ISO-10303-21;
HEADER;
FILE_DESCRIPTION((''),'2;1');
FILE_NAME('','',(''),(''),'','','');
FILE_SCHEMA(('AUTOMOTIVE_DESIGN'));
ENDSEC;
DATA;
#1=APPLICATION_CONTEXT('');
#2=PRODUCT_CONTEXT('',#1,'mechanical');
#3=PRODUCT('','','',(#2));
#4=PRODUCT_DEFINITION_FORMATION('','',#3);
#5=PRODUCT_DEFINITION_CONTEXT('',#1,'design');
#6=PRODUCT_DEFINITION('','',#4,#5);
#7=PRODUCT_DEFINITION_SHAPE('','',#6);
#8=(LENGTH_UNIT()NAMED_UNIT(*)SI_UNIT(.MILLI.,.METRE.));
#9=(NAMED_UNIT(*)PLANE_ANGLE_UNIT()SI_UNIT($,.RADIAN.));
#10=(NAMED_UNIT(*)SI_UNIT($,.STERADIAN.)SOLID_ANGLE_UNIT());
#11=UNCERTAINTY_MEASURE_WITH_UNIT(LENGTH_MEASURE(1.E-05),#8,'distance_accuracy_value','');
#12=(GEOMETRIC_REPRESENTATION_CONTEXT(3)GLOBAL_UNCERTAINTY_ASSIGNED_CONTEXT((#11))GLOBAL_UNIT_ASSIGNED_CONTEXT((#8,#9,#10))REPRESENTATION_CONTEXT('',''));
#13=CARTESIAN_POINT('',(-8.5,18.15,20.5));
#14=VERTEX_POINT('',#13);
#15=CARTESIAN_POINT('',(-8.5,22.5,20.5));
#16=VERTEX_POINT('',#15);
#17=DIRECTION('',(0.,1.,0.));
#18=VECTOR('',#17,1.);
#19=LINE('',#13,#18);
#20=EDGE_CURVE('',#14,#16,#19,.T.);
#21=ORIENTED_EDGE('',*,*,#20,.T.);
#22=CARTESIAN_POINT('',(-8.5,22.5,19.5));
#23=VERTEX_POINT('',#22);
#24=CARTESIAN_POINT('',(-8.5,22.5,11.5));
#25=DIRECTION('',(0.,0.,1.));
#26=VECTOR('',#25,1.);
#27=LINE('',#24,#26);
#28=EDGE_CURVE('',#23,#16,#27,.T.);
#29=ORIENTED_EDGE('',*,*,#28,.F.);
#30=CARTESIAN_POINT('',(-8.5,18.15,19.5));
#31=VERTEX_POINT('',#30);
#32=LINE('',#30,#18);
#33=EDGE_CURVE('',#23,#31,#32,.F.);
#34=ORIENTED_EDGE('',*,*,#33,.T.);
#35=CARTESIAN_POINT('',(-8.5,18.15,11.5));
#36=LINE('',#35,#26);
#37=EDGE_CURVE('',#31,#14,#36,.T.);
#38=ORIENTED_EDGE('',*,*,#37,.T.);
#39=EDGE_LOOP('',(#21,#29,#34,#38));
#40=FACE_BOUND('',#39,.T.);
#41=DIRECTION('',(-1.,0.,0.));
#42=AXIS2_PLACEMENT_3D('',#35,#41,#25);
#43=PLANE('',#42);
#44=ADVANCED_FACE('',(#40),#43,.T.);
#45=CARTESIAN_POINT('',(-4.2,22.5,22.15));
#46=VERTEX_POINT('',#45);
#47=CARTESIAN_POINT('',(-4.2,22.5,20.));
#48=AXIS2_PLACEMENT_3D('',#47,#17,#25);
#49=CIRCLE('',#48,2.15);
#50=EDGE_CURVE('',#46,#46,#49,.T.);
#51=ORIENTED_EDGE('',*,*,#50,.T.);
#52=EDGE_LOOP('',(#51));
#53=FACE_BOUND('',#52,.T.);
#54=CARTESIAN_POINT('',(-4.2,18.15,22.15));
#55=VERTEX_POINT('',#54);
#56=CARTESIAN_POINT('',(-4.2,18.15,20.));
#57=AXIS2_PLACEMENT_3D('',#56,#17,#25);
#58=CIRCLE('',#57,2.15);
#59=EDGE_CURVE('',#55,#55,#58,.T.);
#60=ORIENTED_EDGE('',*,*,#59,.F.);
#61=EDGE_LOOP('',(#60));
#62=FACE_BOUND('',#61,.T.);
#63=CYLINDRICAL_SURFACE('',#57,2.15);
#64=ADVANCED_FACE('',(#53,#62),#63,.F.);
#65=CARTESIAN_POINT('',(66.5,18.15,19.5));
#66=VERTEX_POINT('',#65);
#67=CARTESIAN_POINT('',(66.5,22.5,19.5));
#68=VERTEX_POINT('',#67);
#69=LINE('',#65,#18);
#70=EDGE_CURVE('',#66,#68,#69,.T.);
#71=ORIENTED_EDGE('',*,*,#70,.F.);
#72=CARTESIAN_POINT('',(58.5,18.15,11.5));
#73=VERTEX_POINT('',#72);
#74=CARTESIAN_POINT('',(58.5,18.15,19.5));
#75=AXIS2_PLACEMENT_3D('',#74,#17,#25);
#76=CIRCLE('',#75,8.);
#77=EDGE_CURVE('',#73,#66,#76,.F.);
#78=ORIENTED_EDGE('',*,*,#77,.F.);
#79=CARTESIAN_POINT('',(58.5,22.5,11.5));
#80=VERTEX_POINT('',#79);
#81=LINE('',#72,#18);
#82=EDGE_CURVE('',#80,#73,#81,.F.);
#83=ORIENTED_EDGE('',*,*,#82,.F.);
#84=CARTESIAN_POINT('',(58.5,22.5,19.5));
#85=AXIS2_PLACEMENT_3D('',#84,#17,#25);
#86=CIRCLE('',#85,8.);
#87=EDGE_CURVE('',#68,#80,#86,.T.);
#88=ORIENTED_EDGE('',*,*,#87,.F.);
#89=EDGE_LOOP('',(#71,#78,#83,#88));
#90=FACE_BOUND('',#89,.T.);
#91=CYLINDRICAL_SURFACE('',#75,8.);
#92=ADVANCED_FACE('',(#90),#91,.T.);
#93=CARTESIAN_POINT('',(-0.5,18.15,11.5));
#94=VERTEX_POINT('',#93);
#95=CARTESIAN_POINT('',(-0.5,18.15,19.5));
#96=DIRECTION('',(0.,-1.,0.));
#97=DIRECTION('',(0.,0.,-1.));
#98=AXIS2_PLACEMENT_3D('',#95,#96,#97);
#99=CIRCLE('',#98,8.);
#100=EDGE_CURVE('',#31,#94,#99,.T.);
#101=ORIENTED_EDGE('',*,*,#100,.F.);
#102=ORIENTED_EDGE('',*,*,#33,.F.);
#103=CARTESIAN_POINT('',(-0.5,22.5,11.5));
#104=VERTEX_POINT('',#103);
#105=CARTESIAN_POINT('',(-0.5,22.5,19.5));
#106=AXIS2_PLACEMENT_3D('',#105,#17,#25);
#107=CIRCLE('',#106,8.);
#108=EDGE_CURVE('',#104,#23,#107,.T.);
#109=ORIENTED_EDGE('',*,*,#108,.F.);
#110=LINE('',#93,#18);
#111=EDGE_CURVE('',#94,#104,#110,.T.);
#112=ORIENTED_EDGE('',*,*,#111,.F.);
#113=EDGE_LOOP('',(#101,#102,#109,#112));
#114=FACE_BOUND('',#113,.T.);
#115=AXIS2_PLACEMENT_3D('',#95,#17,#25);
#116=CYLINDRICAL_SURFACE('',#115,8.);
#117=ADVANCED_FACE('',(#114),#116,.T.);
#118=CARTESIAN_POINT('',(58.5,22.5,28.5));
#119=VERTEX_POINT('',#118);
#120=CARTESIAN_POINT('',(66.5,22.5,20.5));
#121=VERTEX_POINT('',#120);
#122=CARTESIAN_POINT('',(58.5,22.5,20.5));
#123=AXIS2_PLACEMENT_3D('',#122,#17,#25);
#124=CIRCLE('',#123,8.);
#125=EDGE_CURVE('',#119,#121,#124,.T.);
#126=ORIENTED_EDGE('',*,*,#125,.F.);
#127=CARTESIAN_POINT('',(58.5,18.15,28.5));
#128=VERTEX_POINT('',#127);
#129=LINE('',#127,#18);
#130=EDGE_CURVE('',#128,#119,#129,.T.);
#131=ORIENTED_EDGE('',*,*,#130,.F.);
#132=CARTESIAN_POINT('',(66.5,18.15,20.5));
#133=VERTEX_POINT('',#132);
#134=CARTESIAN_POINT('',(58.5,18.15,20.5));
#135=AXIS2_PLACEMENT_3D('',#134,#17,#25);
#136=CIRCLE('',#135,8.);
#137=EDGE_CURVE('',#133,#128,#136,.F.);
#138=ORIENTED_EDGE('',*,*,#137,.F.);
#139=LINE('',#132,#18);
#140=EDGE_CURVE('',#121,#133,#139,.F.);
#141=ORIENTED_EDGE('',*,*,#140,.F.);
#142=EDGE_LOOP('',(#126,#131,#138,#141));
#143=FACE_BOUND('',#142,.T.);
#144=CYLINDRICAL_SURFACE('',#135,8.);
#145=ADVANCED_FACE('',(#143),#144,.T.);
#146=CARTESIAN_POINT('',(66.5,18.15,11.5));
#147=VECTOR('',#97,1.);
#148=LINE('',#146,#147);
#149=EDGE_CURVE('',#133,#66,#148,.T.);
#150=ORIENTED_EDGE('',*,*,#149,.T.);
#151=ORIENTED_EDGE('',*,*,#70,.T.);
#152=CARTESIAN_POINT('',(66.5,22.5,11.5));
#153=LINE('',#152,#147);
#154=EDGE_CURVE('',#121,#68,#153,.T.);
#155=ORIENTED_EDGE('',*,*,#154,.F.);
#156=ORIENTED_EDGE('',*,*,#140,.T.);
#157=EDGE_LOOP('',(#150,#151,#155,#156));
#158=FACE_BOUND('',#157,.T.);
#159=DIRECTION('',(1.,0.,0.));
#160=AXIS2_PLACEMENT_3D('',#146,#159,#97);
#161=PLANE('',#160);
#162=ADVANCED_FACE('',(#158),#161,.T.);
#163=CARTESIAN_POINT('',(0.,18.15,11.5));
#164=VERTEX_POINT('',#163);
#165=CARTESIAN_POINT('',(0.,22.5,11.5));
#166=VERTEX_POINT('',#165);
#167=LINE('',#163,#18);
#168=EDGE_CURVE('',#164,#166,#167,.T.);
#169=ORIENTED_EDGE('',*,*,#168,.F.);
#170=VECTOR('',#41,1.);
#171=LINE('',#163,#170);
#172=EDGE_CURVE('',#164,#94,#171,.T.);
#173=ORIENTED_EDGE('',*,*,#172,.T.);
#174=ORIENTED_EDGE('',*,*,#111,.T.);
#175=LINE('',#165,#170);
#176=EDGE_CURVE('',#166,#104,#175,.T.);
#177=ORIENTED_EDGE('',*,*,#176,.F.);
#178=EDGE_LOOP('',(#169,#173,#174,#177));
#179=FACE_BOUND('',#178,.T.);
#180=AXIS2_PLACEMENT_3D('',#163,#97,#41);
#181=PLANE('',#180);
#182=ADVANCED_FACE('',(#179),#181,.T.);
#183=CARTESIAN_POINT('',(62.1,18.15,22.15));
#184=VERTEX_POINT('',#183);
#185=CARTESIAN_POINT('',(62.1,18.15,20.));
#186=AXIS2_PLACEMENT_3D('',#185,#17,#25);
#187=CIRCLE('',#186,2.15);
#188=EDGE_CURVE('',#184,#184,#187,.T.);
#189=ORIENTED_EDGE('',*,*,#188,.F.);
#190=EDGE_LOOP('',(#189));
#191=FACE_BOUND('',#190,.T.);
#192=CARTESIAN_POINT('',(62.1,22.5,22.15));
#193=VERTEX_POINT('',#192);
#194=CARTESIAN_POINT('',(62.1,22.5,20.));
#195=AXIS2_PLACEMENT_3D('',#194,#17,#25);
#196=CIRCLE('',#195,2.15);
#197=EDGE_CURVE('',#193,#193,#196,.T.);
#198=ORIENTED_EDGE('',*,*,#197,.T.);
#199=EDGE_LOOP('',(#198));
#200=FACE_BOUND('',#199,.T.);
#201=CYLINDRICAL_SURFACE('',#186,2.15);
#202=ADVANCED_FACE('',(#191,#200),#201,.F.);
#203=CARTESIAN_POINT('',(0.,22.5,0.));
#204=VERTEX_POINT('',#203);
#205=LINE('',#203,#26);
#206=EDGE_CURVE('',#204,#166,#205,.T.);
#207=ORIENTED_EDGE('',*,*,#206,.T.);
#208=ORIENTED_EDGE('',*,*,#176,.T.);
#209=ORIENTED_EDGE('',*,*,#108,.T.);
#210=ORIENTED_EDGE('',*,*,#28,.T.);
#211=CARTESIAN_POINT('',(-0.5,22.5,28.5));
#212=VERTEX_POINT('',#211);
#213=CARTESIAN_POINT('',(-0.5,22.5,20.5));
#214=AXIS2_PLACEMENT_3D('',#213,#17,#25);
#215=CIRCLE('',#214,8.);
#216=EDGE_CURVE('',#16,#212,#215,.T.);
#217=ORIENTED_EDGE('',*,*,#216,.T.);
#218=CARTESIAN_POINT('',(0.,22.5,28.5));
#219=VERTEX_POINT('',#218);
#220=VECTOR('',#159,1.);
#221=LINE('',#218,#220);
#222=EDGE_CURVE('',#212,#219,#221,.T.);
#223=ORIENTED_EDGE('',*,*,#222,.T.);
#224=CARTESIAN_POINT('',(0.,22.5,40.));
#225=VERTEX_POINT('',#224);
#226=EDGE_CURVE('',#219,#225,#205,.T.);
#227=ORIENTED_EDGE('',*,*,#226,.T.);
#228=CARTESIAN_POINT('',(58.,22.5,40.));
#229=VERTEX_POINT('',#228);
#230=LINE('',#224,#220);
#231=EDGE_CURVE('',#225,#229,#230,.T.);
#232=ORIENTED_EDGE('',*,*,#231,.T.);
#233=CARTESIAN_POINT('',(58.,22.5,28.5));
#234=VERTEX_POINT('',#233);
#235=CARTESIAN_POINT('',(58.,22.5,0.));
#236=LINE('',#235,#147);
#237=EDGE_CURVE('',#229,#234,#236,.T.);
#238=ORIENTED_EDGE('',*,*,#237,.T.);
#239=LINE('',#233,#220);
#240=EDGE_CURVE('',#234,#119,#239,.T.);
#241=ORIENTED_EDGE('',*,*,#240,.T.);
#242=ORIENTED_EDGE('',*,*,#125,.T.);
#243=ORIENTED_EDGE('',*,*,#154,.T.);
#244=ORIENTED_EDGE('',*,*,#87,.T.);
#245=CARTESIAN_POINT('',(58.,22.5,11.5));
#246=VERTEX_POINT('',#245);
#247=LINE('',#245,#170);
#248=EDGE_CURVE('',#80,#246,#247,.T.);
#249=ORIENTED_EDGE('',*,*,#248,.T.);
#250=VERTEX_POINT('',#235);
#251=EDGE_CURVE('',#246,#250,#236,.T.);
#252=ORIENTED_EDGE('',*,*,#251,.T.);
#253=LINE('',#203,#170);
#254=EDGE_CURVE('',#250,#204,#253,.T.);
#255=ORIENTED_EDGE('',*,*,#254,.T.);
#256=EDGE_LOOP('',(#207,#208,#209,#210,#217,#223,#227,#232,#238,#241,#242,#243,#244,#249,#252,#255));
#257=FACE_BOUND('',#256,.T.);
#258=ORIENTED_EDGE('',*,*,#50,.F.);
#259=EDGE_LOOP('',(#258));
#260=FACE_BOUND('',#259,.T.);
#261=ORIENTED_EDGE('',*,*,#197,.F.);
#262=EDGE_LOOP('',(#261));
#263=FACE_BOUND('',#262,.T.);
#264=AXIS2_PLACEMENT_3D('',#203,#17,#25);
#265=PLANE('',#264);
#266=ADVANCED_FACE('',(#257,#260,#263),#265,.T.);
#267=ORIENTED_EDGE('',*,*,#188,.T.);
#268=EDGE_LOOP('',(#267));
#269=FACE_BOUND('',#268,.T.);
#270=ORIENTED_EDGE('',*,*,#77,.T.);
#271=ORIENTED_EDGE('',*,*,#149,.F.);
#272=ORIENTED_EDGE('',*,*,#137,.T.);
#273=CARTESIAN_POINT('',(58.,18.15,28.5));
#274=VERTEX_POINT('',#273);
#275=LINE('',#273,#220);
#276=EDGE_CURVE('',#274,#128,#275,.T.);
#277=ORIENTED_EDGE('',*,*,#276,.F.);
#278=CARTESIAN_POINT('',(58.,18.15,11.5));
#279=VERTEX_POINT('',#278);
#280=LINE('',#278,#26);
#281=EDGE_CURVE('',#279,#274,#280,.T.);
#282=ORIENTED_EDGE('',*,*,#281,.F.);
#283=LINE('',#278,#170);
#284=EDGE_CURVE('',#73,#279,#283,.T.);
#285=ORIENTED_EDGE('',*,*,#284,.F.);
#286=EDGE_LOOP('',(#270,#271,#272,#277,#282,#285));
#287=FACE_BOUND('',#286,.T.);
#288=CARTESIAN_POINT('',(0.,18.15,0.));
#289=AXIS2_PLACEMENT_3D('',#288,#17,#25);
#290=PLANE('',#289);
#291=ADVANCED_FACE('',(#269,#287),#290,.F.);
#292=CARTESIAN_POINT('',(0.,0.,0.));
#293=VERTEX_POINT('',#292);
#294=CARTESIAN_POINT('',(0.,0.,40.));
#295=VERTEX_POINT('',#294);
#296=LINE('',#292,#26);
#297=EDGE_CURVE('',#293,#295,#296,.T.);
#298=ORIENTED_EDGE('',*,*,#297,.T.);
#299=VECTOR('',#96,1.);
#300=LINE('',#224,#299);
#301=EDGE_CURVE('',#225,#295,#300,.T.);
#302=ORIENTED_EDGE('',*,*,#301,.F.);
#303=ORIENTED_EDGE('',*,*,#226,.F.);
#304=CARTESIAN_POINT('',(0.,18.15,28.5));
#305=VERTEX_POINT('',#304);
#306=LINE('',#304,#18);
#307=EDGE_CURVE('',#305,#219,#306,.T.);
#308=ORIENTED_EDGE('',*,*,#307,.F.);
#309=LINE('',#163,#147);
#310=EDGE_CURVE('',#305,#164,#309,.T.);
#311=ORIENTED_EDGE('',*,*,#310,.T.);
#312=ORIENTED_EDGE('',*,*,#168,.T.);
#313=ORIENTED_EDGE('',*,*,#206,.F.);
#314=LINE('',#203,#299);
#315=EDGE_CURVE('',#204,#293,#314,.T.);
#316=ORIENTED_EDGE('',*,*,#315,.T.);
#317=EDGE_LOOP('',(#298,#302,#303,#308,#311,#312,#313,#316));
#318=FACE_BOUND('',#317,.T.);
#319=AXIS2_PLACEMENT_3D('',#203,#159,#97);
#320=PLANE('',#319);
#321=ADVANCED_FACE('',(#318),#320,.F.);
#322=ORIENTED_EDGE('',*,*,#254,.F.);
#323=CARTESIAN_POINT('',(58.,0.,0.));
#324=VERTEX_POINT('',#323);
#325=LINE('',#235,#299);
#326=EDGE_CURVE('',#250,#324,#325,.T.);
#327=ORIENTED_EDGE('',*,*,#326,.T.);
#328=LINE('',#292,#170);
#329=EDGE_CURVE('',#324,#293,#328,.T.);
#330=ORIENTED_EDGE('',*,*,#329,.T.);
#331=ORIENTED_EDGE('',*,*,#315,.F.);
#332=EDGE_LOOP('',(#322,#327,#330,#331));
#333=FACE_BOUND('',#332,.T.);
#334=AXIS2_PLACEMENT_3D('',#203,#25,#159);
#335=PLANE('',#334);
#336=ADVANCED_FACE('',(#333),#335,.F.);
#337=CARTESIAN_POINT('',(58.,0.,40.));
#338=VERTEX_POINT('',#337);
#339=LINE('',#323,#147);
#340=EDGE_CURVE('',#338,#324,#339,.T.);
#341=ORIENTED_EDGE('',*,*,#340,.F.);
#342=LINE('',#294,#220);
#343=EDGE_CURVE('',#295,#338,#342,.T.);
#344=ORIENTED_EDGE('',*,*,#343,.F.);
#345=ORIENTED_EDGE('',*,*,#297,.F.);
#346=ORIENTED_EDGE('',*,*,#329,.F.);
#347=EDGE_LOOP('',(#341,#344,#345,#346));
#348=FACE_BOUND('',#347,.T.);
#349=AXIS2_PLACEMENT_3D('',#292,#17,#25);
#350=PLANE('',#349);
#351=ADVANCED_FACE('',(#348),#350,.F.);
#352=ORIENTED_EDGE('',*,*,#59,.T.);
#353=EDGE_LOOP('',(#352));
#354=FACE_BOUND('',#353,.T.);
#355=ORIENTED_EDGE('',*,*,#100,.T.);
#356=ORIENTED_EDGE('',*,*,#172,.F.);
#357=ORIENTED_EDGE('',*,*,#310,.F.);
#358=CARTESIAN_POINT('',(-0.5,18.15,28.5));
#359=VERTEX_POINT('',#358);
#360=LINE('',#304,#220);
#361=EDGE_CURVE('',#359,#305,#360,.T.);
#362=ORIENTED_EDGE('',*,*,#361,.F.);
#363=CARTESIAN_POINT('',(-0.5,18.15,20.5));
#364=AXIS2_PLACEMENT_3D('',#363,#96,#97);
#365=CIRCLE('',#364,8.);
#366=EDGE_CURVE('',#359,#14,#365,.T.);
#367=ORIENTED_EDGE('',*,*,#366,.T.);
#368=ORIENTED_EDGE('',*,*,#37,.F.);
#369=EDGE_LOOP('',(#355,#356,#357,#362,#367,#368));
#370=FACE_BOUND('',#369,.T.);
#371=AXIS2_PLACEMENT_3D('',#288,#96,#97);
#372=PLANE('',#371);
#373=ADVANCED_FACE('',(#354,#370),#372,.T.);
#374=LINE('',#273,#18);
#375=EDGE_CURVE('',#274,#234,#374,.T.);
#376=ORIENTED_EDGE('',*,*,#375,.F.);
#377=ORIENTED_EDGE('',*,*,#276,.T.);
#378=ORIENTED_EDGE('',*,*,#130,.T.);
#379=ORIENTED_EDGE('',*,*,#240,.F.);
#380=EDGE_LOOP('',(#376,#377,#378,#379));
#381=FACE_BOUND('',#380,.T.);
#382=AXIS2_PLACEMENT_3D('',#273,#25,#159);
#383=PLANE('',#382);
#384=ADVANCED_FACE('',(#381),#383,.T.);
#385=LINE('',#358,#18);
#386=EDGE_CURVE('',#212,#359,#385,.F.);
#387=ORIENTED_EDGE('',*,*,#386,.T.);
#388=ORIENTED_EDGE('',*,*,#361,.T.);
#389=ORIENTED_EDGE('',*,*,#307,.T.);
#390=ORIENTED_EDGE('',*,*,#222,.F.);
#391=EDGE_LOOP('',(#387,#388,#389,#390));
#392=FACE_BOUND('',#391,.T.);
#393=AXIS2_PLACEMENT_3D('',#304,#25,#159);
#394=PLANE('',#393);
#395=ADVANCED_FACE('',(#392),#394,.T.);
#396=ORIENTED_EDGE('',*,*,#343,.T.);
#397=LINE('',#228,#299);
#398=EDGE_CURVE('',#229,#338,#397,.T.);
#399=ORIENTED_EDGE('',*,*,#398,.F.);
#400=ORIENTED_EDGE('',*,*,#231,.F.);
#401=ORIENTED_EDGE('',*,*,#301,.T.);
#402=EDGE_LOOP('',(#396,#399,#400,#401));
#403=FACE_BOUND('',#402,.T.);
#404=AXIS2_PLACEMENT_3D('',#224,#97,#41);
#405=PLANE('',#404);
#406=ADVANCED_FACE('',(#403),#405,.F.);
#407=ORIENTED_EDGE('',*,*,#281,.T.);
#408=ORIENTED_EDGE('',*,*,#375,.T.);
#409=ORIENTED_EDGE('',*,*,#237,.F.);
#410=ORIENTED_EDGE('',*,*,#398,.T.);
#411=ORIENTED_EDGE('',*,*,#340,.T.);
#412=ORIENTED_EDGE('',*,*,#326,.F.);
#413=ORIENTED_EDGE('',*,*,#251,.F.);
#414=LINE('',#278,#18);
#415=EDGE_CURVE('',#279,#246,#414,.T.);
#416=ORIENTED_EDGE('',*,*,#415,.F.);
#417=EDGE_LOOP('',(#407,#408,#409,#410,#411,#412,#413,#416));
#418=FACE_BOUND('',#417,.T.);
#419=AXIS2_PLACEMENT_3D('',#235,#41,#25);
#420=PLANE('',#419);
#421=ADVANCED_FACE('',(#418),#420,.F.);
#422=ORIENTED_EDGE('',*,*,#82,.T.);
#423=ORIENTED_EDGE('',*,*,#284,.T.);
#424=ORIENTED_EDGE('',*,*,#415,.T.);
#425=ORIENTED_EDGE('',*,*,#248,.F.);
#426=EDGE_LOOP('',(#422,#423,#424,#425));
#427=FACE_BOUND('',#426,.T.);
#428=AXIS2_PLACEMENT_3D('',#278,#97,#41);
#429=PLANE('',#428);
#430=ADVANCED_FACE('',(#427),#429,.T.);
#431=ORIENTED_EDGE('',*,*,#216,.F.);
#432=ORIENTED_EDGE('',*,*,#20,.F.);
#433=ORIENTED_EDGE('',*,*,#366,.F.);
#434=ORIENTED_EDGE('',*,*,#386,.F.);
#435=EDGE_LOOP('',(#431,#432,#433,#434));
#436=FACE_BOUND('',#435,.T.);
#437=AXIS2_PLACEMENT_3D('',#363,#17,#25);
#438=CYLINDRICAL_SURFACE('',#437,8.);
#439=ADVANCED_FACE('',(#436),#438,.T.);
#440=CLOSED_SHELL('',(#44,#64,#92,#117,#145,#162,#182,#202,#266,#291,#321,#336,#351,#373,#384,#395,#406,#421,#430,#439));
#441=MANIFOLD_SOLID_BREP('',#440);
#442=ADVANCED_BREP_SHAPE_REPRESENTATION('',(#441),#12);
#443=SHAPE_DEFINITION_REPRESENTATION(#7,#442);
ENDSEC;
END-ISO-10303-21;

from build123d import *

# Parameters (mm, degrees)
SKETCH1_W           = 58
SKETCH1_H           = 40
BOSS_EXTRUDE1_DEPTH = 22.5
SKETCH2_W           = 8.5
SKETCH2_H           = 17
SKETCH2_R           = 2.15
BOSS_EXTRUDE2_DEPTH = 4.35
FILLET1_R           = 8


with BuildPart() as part:
    # Sketch1 → Boss-Extrude1 (new body)
    with BuildSketch(Plane(origin=(0, 0, 0), x_dir=(1, 0, 0), z_dir=(0, 1, 0))):
        with Locations((29, -20)):
            Rectangle(SKETCH1_W, SKETCH1_H)
    extrude(amount=BOSS_EXTRUDE1_DEPTH)

    # Sketch2 → Boss-Extrude2 (add)
    # profile 1 of 2: a face of its own
    with BuildSketch(Plane(origin=(0, 22.5, 0), x_dir=(1, 0, 0), z_dir=(0, 1, 0))):
        with Locations((62.25, -20)):
            Rectangle(SKETCH2_W, SKETCH2_H)
        with Locations(Location((62.1, -20, 0), (0, 0, 270))):
            Circle(SKETCH2_R, mode=Mode.SUBTRACT)
    # profile 2 of 2: a face of its own
    with BuildSketch(Plane(origin=(0, 22.5, 0), x_dir=(1, 0, 0), z_dir=(0, 1, 0))):
        with Locations((-4.25, -20)):
            Rectangle(SKETCH2_W, SKETCH2_H)
        with Locations(Location((-4.2, -20, 0), (0, 0, 270))):
            Circle(SKETCH2_R, mode=Mode.SUBTRACT)
    extrude(amount=-BOSS_EXTRUDE2_DEPTH)

    # Fillet1
    fillet1_edges = [part.edges().sort_by_distance(p)[0] for p in [
        (66.5, 20.325, 11.5),
        (66.5, 20.325, 28.5),
        (-8.5, 20.325, 28.5),
        (-8.5, 20.325, 11.5),
    ]]
    fillet(fillet1_edges, radius=FILLET1_R)


solid = part.part
